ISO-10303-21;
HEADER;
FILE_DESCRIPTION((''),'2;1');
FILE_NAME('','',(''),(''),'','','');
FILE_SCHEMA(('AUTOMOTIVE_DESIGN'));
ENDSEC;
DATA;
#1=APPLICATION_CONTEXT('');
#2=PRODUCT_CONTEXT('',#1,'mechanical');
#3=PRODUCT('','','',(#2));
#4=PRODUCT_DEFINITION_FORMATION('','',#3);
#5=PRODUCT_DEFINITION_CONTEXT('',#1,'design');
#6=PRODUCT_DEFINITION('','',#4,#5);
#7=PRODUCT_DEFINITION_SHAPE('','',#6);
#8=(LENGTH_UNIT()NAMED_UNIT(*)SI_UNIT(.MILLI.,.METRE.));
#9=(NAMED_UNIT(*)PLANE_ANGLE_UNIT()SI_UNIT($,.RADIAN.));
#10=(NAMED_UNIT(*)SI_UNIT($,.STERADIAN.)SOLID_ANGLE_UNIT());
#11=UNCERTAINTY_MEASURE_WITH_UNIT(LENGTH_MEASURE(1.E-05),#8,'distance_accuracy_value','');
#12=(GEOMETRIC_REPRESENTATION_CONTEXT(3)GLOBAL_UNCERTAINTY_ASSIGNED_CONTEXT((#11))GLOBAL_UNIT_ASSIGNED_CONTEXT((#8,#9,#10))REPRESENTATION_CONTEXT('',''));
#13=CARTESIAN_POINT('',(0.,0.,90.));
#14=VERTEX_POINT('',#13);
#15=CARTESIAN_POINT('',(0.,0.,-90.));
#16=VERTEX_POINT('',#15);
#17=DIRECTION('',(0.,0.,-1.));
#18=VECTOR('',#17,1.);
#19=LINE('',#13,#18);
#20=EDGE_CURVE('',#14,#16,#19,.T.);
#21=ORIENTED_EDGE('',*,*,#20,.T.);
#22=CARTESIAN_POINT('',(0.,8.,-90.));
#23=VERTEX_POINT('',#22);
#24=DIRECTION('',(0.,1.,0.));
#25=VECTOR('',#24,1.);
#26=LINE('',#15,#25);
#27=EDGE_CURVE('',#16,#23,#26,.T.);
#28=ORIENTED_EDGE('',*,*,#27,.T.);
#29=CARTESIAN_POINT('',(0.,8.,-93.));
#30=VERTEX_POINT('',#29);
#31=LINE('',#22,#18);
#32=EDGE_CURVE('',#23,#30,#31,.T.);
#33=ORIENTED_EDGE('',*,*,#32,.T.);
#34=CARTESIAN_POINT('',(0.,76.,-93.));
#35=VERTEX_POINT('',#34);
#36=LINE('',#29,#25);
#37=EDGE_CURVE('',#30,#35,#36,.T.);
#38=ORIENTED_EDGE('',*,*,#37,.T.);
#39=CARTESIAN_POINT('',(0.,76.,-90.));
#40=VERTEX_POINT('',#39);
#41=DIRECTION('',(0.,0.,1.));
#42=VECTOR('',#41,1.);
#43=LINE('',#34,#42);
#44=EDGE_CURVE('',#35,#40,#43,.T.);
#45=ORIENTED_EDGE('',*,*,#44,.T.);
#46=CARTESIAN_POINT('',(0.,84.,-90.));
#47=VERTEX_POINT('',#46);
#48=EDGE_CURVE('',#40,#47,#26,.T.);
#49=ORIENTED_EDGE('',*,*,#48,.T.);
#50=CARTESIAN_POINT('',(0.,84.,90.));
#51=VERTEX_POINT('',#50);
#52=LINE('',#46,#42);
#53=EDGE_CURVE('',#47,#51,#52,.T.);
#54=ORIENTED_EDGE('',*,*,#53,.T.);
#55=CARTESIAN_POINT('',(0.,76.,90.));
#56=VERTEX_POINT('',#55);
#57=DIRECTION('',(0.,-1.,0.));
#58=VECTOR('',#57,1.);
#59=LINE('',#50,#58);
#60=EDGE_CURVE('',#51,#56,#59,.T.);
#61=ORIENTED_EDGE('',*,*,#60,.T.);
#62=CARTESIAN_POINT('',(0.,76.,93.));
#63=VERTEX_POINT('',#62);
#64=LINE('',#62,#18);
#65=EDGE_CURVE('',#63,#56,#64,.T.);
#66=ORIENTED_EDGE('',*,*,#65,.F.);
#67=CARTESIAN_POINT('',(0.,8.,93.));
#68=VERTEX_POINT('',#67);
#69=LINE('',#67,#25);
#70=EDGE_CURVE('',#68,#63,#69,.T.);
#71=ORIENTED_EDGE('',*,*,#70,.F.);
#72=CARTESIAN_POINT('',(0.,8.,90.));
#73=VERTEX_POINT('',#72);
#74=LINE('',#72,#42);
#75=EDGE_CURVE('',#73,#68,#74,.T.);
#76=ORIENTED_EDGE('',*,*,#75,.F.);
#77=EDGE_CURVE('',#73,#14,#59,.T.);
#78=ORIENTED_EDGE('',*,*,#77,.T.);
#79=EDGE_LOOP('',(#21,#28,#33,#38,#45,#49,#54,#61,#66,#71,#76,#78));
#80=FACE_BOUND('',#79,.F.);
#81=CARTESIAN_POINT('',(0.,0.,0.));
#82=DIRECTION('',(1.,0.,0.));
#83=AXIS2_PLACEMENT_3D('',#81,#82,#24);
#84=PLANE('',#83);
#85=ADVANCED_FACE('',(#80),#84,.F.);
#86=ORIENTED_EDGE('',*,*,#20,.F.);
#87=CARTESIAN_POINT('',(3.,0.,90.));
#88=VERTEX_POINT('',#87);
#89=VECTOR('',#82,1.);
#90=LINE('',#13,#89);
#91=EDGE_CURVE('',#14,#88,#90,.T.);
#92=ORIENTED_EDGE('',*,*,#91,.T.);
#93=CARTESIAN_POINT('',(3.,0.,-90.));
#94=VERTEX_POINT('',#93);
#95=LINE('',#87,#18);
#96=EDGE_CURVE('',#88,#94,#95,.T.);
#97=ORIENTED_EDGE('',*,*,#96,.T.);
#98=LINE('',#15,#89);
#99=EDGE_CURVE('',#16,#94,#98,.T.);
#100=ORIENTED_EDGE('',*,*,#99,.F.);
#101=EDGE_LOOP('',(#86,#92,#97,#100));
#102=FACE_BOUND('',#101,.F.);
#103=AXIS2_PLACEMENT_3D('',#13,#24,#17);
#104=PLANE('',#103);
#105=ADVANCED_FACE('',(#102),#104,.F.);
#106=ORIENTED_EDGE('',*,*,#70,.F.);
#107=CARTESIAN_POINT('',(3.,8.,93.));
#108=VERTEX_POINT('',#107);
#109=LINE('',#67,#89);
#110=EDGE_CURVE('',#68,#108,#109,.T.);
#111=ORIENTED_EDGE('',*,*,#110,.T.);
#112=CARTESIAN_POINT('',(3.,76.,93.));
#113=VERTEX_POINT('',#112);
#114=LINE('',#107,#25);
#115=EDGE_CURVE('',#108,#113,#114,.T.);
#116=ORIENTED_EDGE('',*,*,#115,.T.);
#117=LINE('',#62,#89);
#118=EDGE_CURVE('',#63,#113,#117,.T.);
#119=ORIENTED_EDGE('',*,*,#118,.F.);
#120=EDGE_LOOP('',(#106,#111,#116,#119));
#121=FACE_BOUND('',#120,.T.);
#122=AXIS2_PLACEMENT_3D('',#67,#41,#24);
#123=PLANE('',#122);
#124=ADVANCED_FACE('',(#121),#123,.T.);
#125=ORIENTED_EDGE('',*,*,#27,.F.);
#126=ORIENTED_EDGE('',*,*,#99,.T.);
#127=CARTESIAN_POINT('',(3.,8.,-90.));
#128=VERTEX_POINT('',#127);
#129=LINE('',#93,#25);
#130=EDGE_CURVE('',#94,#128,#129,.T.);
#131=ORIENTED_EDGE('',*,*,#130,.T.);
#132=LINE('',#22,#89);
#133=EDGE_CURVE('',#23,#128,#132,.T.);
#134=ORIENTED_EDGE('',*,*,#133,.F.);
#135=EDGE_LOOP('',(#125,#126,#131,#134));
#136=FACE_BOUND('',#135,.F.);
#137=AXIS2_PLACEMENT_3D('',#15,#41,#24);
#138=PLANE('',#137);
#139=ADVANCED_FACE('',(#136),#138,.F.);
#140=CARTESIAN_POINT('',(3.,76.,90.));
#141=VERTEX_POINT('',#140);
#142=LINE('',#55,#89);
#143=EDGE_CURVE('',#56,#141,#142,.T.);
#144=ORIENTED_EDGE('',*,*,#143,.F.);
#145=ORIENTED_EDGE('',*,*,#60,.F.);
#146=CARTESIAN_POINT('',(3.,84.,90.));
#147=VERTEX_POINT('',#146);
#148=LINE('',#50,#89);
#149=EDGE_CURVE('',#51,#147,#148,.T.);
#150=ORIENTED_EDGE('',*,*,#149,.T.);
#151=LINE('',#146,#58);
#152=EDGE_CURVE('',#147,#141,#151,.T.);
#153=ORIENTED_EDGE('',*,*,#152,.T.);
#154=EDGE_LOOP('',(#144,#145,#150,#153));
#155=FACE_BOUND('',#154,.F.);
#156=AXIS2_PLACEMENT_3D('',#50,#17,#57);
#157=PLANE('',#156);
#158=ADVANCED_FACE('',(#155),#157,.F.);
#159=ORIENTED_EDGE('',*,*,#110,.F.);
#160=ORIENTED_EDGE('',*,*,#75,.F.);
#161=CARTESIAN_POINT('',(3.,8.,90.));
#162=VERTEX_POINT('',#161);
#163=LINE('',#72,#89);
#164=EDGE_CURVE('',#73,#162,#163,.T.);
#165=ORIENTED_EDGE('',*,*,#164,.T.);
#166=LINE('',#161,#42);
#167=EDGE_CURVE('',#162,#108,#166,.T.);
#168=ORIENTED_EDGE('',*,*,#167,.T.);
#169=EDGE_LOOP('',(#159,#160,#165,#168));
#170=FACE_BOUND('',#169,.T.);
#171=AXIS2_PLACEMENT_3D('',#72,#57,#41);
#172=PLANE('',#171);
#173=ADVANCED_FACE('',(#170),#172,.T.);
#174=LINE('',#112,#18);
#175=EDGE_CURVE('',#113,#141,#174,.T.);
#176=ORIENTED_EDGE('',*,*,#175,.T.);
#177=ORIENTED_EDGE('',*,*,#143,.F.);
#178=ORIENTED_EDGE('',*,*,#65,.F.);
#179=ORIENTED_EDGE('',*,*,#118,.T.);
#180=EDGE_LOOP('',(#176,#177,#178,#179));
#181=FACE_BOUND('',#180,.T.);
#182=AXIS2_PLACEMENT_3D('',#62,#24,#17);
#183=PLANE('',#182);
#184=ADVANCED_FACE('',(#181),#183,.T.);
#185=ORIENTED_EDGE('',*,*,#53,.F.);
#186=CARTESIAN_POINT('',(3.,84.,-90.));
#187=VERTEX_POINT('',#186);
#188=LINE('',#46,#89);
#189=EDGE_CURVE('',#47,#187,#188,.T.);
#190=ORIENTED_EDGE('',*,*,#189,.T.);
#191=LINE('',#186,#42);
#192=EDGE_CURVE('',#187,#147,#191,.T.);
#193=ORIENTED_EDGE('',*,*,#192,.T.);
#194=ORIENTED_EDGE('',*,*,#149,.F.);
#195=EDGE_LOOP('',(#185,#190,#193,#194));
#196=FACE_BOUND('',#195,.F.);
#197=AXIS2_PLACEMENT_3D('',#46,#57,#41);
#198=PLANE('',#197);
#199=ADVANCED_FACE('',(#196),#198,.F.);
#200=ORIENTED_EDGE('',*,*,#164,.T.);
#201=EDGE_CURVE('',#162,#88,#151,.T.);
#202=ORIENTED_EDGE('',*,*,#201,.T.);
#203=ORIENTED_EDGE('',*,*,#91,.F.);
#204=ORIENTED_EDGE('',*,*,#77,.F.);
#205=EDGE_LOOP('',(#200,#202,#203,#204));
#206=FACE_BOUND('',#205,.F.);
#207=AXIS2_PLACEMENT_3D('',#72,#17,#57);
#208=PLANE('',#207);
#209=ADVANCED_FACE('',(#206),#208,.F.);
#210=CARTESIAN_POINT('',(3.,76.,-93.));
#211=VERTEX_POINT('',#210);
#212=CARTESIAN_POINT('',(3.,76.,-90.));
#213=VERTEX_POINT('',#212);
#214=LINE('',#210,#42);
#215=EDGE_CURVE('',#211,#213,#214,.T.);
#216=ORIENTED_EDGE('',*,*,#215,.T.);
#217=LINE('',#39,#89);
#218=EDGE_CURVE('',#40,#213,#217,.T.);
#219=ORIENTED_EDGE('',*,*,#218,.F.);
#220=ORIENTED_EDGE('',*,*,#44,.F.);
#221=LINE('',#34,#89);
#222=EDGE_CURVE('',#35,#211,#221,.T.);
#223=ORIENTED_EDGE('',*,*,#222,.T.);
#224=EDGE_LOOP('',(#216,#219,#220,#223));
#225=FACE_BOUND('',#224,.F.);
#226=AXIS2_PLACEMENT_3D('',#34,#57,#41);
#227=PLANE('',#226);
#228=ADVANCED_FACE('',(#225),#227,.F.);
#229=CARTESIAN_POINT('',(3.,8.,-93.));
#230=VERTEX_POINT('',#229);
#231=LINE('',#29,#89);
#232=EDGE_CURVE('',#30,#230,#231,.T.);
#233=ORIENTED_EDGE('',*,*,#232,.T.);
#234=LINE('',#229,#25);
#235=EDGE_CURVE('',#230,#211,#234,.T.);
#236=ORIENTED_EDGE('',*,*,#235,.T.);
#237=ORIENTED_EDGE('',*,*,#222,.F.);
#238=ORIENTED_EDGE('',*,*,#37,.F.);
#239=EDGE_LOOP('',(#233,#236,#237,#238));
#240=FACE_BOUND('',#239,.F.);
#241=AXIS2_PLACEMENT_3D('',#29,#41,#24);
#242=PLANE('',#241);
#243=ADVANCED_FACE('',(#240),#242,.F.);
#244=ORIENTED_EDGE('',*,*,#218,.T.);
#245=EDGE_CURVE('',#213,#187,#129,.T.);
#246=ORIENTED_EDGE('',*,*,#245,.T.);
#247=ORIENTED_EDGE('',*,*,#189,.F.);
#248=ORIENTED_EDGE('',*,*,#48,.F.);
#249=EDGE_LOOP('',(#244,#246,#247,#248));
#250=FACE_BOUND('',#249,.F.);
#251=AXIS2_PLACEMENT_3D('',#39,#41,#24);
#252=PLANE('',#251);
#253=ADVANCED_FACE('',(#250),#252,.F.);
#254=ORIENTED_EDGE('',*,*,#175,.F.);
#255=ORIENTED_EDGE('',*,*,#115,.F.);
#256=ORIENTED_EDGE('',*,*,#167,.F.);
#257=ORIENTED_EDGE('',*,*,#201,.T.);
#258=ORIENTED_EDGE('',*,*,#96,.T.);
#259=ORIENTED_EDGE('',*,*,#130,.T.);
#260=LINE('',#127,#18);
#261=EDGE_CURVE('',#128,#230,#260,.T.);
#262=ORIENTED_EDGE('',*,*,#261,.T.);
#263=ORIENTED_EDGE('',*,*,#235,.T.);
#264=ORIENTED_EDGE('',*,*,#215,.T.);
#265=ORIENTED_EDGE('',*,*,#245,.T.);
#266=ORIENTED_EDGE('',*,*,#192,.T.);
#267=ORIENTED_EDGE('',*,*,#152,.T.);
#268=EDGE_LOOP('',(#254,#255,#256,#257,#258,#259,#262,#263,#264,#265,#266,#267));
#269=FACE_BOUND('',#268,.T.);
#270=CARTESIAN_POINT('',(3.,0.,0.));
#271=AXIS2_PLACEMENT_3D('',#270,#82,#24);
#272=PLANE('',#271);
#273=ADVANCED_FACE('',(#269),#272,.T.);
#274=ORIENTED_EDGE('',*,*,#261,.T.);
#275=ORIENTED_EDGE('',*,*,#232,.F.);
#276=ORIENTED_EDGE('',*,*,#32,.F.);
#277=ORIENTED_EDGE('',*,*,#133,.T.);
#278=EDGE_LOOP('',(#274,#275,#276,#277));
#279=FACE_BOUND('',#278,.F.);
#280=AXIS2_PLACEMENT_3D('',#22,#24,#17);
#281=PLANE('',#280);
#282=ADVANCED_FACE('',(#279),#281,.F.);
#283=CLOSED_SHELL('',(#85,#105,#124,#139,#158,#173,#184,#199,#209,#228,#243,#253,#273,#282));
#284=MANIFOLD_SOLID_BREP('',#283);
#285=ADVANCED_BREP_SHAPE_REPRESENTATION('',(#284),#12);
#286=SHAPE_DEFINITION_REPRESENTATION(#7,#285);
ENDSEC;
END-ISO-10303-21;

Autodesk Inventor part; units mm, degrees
ref_plane "YZ Plane" through (0, 0, 0) normal (1, 0, 0) x (0, 1, 0)
ref_plane "XZ Plane" through (0, 0, 0) normal (0, 1, 0) x (-1, 0, 0)
ref_plane "XY Plane" through (0, 0, 0) normal (0, 0, 1) x (1, 0, 0)
sketch "Эскиз1" plane through (0, 0, 0) normal (1, 0, 0) x (0, 1, 0)
  line L0 (84, 90) -> (0, 90)
  line L1 (0, 90) -> (0, -90)
  line L2 (0, -90) -> (84, -90)
  line L3 (84, -90) -> (84, 90)
  line L4 (76, 90) -> (8, 90)
  line L5 (8, 90) -> (8, 93)
  line L6 (8, 93) -> (76, 93)
  line L7 (76, 93) -> (76, 90)
  line L8 (76, -90) -> (8, -90)
  line L9 (8, -90) -> (8, -93)
  line L10 (8, -93) -> (76, -93)
  line L11 (76, -93) -> (76, -90)
  point P0 (0, 0)
  point P1 (76, 91.5)
  point P2 (8, 91.5)
  point P3 (8, -90)
  dimension "d0" = 180
  dimension "d1" = 84
  dimension "d2" = 90
  dimension "d3" = 0
  dimension "d4" = 3
  dimension "d5" = 8
  dimension "d6" = 8
  dimension "d7" = 3
extrude "Выдавливание1" add sketch "Эскиз1" along normal blind 3
equation "\"d2\" = 0.5 * d0"
properties part number "передняя стенка"
